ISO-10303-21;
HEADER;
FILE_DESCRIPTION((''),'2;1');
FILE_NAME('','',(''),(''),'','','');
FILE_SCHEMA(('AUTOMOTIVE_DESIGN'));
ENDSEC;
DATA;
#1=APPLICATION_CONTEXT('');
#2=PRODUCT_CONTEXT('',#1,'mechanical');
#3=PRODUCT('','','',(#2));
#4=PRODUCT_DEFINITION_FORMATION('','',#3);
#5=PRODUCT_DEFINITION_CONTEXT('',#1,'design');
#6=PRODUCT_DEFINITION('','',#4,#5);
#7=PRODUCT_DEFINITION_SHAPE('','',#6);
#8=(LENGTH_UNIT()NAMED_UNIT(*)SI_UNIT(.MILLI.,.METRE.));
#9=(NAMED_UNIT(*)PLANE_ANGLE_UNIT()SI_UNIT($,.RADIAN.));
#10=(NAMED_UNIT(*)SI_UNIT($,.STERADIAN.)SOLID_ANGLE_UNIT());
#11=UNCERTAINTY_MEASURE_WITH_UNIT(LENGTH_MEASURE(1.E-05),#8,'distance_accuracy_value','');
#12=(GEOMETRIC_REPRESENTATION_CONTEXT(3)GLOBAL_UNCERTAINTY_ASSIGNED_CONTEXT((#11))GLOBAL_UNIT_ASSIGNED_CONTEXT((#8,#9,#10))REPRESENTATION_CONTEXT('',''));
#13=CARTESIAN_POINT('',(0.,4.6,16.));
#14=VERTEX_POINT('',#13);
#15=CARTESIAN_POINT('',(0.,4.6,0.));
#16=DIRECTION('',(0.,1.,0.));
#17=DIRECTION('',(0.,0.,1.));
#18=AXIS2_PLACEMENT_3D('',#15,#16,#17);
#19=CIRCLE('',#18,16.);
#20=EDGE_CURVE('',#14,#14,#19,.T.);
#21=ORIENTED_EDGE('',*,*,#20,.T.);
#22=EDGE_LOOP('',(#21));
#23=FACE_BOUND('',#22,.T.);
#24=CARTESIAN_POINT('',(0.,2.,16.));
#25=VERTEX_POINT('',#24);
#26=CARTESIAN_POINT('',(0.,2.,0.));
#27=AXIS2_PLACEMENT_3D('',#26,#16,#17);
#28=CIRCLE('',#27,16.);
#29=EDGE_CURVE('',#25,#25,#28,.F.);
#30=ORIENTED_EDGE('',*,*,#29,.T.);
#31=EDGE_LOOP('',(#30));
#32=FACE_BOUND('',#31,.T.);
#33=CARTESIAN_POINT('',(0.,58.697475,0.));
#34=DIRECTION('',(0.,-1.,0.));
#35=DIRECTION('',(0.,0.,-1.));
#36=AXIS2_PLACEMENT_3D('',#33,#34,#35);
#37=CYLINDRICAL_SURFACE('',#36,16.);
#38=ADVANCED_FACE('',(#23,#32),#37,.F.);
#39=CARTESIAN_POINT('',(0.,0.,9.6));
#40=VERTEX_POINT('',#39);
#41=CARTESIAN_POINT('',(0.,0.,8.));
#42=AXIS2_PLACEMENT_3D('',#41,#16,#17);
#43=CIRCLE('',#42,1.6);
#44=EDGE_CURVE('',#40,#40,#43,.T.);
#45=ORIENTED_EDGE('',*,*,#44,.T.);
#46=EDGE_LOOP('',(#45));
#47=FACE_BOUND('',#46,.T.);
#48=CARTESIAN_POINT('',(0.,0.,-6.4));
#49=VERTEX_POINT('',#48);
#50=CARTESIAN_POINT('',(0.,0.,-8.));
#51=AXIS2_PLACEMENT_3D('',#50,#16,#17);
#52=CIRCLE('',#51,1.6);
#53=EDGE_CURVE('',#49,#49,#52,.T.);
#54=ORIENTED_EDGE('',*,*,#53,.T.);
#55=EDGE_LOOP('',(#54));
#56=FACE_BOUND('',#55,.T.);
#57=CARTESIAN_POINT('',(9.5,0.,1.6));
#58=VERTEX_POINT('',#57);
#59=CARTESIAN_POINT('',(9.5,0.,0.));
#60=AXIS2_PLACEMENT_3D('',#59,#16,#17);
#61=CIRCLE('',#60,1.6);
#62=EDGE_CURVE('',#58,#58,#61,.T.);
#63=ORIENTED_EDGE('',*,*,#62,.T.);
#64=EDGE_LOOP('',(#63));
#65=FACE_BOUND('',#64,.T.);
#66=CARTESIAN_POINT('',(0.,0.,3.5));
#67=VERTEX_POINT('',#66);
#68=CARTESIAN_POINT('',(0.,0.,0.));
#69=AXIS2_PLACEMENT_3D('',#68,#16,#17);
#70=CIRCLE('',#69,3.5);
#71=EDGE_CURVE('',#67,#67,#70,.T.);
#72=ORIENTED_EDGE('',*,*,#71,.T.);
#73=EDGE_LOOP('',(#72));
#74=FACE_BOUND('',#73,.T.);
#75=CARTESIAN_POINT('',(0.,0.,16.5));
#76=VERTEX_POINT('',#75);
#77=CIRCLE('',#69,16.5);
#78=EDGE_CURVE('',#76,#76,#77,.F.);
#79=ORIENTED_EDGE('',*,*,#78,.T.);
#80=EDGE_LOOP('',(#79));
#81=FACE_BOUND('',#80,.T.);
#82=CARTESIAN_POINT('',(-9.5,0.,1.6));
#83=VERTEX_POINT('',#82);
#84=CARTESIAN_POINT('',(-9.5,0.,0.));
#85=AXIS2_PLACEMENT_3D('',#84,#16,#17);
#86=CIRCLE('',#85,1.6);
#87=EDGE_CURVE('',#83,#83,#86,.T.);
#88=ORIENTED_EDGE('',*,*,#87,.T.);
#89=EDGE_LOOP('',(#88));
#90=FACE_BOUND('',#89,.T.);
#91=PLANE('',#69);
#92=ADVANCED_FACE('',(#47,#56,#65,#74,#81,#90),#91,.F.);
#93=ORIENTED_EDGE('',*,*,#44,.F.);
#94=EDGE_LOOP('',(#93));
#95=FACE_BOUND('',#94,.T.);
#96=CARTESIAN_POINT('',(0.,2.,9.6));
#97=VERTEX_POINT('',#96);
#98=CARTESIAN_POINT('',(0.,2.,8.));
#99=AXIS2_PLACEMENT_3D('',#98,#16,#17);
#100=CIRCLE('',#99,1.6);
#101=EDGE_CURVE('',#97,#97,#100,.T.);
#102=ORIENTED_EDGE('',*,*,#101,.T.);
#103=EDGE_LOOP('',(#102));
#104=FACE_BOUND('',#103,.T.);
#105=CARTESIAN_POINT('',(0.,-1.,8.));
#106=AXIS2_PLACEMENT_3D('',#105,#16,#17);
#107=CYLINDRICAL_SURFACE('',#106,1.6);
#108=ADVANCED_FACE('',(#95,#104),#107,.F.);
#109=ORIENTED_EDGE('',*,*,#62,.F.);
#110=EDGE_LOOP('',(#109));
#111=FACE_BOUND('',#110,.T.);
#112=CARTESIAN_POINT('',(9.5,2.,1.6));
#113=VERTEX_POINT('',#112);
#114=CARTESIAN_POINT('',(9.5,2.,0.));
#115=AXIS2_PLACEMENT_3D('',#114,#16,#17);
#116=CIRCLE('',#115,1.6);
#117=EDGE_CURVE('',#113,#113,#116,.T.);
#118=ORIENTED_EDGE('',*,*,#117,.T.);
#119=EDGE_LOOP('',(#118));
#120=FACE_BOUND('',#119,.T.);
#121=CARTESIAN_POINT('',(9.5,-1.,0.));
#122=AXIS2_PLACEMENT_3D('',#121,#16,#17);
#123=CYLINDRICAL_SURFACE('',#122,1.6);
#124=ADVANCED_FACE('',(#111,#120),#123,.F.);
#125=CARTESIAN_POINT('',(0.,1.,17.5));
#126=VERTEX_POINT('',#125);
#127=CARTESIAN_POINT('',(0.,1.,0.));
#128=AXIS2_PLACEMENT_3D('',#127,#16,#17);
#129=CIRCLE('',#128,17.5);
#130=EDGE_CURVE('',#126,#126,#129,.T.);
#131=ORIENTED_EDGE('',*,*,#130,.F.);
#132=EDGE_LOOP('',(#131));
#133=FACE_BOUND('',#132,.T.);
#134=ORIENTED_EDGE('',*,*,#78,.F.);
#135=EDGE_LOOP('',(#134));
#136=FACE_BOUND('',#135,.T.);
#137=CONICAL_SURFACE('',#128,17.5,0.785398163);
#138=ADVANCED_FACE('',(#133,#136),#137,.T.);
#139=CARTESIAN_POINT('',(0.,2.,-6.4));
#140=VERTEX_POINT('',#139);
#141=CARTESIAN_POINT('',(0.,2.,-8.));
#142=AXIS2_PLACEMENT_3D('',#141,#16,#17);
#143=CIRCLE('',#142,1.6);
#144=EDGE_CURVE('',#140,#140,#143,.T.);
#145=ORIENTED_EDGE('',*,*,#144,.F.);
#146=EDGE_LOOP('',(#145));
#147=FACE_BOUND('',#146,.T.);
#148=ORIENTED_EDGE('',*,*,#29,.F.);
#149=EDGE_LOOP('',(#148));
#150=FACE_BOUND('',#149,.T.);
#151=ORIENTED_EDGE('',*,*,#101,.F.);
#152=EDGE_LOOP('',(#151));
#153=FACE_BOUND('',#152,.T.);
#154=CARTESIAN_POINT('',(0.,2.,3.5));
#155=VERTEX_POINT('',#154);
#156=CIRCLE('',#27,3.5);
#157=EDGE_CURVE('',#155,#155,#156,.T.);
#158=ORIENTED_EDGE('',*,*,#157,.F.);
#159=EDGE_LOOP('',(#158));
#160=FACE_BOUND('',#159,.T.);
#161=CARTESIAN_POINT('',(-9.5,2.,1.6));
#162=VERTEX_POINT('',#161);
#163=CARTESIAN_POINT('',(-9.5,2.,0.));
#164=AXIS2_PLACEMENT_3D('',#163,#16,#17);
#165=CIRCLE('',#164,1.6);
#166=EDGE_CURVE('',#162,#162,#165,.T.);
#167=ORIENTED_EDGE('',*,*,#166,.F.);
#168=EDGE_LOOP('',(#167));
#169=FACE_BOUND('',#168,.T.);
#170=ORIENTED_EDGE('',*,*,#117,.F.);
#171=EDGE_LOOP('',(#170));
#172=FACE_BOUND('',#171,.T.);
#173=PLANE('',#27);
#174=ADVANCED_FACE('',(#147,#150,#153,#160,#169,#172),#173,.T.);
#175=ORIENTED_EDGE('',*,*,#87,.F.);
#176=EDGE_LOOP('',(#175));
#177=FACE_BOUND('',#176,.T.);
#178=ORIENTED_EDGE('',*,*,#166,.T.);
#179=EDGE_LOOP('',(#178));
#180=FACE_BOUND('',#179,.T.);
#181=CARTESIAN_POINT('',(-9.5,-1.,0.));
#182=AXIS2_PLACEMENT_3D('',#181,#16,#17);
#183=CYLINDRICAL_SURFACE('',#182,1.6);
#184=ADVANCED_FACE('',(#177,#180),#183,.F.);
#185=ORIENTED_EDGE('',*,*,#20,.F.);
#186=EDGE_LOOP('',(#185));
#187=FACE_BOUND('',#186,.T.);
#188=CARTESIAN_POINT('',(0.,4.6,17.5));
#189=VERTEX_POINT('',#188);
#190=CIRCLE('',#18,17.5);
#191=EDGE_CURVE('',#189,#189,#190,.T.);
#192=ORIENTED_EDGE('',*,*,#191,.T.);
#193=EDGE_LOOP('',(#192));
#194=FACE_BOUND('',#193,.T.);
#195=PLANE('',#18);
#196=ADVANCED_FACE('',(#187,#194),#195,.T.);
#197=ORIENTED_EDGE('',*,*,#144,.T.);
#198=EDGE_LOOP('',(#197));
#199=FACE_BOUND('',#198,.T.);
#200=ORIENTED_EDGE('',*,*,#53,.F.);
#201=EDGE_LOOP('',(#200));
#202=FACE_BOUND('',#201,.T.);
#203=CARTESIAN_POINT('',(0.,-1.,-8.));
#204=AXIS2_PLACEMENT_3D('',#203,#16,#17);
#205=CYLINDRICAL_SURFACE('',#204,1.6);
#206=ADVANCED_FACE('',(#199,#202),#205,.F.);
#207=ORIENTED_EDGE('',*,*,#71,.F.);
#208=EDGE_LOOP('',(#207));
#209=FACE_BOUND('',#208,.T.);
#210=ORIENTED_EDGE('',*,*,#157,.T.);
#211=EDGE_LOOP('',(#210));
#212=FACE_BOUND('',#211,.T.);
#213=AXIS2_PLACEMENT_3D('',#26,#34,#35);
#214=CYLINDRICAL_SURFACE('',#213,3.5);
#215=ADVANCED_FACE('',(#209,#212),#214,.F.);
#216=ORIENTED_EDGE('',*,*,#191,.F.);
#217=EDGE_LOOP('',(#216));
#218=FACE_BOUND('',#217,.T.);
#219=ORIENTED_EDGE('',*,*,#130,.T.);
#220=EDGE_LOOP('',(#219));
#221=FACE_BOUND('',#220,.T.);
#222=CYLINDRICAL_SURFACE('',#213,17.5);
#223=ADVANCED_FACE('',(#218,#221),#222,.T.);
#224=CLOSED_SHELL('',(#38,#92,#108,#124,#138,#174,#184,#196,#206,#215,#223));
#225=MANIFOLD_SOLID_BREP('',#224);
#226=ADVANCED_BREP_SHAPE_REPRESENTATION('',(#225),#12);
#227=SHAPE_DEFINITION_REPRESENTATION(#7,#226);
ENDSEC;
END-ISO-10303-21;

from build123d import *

# Parameters (mm, degrees)
SKETCH1_R           = 17.5
SKETCH1_R_2         = 3.5
BOSS_EXTRUDE1_DEPTH = 2
SKETCH10_R          = 17.5
SKETCH10_R_2        = 16
BOSS_EXTRUDE4_DEPTH = 2.6
SKETCH2_R           = 1.6
CUT_EXTRUDE1_DEPTH  = 3
CHAMFER2_SIZE       = 1


with BuildPart() as part:
    # Sketch1 → Boss-Extrude1 (new body)
    with BuildSketch(Plane(origin=(0, 0, 0), x_dir=(1, 0, 0), z_dir=(0, 1, 0))):
        with Locations(Location((0, 0, 0), (0, 0, 270))):
            Circle(SKETCH1_R)
        with Locations(Location((0, 0, 0), (0, 0, 270))):
            Circle(SKETCH1_R_2, mode=Mode.SUBTRACT)
    extrude(amount=BOSS_EXTRUDE1_DEPTH)

    # Sketch10 → Boss-Extrude4 (add)
    with BuildSketch(Plane(origin=(0, 2, 0), x_dir=(1, 0, 0), z_dir=(0, 1, 0))):
        with Locations(Location((0, 0, 0), (0, 0, 270))):
            Circle(SKETCH10_R)
        with Locations(Location((0, 0, 0), (0, 0, 270))):
            Circle(SKETCH10_R_2, mode=Mode.SUBTRACT)
    extrude(amount=BOSS_EXTRUDE4_DEPTH)

    # Sketch2 → Cut-Extrude1 (cut)
    with BuildSketch(Plane(origin=(0, 2, 0), x_dir=(1, 0, 0), z_dir=(0, 1, 0))):
        with Locations(Location((-9.5, 0, 0), (0, 0, 270))):
            Circle(SKETCH2_R)
        with Locations(Location((0, 8, 0), (0, 0, 270))):
            Circle(SKETCH2_R)
        with Locations(Location((0, -8, 0), (0, 0, 270))):
            Circle(SKETCH2_R)
        with Locations(Location((9.5, 0, 0), (0, 0, 270))):
            Circle(SKETCH2_R)
    extrude(amount=-CUT_EXTRUDE1_DEPTH, mode=Mode.SUBTRACT)

    # Chamfer2
    chamfer2_edges = [part.edges().sort_by_distance(p)[0] for p in [
        (0, 0, -17.5),
    ]]
    chamfer(chamfer2_edges, length=CHAMFER2_SIZE)


solid = part.part
